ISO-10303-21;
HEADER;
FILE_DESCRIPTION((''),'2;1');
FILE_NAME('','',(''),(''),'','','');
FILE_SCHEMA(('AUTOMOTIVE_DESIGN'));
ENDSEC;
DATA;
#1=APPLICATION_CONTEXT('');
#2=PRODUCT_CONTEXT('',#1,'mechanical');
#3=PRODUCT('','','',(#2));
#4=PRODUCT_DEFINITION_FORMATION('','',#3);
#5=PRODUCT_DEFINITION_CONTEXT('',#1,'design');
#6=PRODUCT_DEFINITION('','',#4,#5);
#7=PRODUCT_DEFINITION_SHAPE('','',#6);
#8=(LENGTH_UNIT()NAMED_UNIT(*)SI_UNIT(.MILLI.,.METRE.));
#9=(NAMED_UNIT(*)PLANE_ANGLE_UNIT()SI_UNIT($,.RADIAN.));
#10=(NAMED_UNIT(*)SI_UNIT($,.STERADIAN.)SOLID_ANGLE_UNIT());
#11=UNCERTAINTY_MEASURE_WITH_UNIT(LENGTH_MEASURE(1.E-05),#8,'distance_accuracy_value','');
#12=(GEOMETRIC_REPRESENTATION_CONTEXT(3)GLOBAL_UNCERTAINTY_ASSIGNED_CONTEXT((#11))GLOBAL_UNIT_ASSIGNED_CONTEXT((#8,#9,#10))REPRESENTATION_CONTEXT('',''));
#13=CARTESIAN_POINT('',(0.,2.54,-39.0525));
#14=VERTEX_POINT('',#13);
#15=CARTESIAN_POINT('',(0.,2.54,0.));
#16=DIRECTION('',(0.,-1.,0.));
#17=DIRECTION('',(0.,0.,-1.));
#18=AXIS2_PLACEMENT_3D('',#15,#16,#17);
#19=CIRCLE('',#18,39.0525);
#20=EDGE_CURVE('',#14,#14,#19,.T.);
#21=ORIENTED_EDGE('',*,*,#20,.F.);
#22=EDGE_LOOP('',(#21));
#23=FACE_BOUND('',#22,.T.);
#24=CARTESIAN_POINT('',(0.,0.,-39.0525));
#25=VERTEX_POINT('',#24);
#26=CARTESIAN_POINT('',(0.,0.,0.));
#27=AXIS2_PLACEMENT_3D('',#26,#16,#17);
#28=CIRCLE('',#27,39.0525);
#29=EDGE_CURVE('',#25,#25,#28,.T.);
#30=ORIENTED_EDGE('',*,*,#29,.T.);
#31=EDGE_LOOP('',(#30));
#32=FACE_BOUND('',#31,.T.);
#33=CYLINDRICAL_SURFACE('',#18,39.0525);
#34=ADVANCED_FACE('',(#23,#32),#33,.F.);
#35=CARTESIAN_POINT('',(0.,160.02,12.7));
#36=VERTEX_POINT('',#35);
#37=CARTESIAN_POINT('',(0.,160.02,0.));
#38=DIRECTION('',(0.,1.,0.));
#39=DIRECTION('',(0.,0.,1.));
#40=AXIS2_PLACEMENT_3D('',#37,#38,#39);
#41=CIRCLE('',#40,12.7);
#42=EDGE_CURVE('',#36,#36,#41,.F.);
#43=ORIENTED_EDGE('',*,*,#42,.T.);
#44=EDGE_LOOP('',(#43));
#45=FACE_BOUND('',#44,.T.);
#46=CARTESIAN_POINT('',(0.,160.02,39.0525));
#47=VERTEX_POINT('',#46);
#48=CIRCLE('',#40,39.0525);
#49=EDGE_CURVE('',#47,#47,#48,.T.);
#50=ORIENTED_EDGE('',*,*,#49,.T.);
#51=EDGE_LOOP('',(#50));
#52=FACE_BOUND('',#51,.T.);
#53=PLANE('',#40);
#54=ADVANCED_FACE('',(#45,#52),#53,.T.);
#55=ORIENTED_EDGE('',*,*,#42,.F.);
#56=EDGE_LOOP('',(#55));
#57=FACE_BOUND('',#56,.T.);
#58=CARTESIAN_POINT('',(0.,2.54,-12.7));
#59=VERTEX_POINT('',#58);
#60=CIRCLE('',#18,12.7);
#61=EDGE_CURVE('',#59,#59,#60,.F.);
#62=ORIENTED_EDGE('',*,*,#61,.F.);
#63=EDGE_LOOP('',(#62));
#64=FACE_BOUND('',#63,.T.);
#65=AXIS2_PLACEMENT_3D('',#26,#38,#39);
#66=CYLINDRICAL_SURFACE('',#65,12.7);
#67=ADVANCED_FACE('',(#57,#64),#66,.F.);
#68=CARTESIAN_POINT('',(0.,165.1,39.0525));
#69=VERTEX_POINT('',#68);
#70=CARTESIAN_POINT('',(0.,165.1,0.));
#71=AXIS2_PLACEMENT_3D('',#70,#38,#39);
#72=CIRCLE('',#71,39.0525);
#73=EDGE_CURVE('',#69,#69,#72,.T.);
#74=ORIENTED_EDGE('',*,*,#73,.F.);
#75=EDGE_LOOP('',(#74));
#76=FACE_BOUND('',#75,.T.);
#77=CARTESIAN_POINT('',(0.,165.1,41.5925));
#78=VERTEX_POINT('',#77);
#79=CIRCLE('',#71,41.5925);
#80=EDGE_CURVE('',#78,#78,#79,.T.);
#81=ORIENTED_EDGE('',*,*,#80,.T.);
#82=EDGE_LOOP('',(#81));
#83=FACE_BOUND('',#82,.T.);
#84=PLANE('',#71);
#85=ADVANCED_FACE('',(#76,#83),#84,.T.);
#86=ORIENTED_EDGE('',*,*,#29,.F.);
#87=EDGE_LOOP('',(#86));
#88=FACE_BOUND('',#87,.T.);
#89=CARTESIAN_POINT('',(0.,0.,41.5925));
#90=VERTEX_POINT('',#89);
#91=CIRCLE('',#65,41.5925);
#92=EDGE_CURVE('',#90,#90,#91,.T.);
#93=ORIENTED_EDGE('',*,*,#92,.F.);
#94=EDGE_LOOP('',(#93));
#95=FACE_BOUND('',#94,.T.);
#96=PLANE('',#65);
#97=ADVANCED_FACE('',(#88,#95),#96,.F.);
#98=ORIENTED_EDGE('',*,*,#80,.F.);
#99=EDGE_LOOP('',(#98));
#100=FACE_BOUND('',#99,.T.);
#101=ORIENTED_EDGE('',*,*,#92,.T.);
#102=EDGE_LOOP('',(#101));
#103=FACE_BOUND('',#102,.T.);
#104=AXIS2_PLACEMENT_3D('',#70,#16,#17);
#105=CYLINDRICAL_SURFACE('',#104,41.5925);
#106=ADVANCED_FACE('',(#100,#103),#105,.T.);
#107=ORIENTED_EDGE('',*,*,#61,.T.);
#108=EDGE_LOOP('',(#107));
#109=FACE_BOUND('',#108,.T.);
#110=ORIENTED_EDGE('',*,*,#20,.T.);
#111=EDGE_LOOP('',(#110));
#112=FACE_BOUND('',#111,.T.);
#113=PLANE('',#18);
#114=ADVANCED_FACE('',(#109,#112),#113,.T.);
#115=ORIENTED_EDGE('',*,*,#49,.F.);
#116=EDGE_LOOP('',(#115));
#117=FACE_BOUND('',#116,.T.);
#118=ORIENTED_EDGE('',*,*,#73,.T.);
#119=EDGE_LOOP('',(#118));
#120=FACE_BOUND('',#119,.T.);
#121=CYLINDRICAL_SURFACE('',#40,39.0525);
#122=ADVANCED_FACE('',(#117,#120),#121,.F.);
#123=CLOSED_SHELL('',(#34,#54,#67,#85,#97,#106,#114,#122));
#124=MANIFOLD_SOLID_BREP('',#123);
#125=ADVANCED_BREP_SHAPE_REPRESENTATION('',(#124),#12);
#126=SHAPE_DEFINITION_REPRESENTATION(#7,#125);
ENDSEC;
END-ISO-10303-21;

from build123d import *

# Parameters (mm, degrees)
SKETCH1_R               = 41.5925
BOSS_EXTRUDE1_DEPTH     = 165.1
CUT_EXTRUDE1_DEPTH      = 176.265176554
CUT_EXTRUDE1_DEPTH_BACK = 176.265176554
SKETCH2_R               = 12.7
SKETCH3_R               = 39.0525
CUT_EXTRUDE2_DEPTH      = 5.08
CUT_EXTRUDE3_START      = -2.54
SKETCH4_R               = 39.0525
SKETCH4_R_2             = 12.7
CUT_EXTRUDE3_DEPTH      = 2.54


with BuildPart() as part:
    # Sketch1 → Boss-Extrude1 (new body)
    with BuildSketch(Plane(origin=(0, 0, 0), x_dir=(1, 0, 0), z_dir=(0, 1, 0))):
        with Locations(Location((0, 0, 0), (0, 0, 270))):
            Circle(SKETCH1_R)
    extrude(amount=BOSS_EXTRUDE1_DEPTH)

    # Sketch2 → Cut-Extrude1 (cut, two sides: drawn at the far end of the back side and taken through both)
    with BuildSketch(Plane(origin=(0, 165.1, 0), x_dir=(1, 0, 0), z_dir=(0, 1, 0)).offset(-CUT_EXTRUDE1_DEPTH_BACK)):
        with Locations(Location((0, 0, 0), (0, 0, 270))):
            Circle(SKETCH2_R)
    extrude(amount=CUT_EXTRUDE1_DEPTH + CUT_EXTRUDE1_DEPTH_BACK, mode=Mode.SUBTRACT)

    # Sketch3 → Cut-Extrude2 (cut)
    with BuildSketch(Plane(origin=(0, 165.1, 0), x_dir=(1, 0, 0), z_dir=(0, 1, 0))):
        with Locations(Location((0, 0, 0), (0, 0, 270))):
            Circle(SKETCH3_R)
    extrude(amount=-CUT_EXTRUDE2_DEPTH, mode=Mode.SUBTRACT)

    # Sketch4 → Cut-Extrude3 (cut)
    with BuildSketch(Plane.XZ.offset(CUT_EXTRUDE3_START)):
        with Locations(Location((0, 0, 0), (0, 0, 90))):
            Circle(SKETCH4_R)
        with Locations(Location((0, 0, 0), (0, 0, 90))):
            Circle(SKETCH4_R_2, mode=Mode.SUBTRACT)
    extrude(amount=CUT_EXTRUDE3_DEPTH, mode=Mode.SUBTRACT)


solid = part.part
